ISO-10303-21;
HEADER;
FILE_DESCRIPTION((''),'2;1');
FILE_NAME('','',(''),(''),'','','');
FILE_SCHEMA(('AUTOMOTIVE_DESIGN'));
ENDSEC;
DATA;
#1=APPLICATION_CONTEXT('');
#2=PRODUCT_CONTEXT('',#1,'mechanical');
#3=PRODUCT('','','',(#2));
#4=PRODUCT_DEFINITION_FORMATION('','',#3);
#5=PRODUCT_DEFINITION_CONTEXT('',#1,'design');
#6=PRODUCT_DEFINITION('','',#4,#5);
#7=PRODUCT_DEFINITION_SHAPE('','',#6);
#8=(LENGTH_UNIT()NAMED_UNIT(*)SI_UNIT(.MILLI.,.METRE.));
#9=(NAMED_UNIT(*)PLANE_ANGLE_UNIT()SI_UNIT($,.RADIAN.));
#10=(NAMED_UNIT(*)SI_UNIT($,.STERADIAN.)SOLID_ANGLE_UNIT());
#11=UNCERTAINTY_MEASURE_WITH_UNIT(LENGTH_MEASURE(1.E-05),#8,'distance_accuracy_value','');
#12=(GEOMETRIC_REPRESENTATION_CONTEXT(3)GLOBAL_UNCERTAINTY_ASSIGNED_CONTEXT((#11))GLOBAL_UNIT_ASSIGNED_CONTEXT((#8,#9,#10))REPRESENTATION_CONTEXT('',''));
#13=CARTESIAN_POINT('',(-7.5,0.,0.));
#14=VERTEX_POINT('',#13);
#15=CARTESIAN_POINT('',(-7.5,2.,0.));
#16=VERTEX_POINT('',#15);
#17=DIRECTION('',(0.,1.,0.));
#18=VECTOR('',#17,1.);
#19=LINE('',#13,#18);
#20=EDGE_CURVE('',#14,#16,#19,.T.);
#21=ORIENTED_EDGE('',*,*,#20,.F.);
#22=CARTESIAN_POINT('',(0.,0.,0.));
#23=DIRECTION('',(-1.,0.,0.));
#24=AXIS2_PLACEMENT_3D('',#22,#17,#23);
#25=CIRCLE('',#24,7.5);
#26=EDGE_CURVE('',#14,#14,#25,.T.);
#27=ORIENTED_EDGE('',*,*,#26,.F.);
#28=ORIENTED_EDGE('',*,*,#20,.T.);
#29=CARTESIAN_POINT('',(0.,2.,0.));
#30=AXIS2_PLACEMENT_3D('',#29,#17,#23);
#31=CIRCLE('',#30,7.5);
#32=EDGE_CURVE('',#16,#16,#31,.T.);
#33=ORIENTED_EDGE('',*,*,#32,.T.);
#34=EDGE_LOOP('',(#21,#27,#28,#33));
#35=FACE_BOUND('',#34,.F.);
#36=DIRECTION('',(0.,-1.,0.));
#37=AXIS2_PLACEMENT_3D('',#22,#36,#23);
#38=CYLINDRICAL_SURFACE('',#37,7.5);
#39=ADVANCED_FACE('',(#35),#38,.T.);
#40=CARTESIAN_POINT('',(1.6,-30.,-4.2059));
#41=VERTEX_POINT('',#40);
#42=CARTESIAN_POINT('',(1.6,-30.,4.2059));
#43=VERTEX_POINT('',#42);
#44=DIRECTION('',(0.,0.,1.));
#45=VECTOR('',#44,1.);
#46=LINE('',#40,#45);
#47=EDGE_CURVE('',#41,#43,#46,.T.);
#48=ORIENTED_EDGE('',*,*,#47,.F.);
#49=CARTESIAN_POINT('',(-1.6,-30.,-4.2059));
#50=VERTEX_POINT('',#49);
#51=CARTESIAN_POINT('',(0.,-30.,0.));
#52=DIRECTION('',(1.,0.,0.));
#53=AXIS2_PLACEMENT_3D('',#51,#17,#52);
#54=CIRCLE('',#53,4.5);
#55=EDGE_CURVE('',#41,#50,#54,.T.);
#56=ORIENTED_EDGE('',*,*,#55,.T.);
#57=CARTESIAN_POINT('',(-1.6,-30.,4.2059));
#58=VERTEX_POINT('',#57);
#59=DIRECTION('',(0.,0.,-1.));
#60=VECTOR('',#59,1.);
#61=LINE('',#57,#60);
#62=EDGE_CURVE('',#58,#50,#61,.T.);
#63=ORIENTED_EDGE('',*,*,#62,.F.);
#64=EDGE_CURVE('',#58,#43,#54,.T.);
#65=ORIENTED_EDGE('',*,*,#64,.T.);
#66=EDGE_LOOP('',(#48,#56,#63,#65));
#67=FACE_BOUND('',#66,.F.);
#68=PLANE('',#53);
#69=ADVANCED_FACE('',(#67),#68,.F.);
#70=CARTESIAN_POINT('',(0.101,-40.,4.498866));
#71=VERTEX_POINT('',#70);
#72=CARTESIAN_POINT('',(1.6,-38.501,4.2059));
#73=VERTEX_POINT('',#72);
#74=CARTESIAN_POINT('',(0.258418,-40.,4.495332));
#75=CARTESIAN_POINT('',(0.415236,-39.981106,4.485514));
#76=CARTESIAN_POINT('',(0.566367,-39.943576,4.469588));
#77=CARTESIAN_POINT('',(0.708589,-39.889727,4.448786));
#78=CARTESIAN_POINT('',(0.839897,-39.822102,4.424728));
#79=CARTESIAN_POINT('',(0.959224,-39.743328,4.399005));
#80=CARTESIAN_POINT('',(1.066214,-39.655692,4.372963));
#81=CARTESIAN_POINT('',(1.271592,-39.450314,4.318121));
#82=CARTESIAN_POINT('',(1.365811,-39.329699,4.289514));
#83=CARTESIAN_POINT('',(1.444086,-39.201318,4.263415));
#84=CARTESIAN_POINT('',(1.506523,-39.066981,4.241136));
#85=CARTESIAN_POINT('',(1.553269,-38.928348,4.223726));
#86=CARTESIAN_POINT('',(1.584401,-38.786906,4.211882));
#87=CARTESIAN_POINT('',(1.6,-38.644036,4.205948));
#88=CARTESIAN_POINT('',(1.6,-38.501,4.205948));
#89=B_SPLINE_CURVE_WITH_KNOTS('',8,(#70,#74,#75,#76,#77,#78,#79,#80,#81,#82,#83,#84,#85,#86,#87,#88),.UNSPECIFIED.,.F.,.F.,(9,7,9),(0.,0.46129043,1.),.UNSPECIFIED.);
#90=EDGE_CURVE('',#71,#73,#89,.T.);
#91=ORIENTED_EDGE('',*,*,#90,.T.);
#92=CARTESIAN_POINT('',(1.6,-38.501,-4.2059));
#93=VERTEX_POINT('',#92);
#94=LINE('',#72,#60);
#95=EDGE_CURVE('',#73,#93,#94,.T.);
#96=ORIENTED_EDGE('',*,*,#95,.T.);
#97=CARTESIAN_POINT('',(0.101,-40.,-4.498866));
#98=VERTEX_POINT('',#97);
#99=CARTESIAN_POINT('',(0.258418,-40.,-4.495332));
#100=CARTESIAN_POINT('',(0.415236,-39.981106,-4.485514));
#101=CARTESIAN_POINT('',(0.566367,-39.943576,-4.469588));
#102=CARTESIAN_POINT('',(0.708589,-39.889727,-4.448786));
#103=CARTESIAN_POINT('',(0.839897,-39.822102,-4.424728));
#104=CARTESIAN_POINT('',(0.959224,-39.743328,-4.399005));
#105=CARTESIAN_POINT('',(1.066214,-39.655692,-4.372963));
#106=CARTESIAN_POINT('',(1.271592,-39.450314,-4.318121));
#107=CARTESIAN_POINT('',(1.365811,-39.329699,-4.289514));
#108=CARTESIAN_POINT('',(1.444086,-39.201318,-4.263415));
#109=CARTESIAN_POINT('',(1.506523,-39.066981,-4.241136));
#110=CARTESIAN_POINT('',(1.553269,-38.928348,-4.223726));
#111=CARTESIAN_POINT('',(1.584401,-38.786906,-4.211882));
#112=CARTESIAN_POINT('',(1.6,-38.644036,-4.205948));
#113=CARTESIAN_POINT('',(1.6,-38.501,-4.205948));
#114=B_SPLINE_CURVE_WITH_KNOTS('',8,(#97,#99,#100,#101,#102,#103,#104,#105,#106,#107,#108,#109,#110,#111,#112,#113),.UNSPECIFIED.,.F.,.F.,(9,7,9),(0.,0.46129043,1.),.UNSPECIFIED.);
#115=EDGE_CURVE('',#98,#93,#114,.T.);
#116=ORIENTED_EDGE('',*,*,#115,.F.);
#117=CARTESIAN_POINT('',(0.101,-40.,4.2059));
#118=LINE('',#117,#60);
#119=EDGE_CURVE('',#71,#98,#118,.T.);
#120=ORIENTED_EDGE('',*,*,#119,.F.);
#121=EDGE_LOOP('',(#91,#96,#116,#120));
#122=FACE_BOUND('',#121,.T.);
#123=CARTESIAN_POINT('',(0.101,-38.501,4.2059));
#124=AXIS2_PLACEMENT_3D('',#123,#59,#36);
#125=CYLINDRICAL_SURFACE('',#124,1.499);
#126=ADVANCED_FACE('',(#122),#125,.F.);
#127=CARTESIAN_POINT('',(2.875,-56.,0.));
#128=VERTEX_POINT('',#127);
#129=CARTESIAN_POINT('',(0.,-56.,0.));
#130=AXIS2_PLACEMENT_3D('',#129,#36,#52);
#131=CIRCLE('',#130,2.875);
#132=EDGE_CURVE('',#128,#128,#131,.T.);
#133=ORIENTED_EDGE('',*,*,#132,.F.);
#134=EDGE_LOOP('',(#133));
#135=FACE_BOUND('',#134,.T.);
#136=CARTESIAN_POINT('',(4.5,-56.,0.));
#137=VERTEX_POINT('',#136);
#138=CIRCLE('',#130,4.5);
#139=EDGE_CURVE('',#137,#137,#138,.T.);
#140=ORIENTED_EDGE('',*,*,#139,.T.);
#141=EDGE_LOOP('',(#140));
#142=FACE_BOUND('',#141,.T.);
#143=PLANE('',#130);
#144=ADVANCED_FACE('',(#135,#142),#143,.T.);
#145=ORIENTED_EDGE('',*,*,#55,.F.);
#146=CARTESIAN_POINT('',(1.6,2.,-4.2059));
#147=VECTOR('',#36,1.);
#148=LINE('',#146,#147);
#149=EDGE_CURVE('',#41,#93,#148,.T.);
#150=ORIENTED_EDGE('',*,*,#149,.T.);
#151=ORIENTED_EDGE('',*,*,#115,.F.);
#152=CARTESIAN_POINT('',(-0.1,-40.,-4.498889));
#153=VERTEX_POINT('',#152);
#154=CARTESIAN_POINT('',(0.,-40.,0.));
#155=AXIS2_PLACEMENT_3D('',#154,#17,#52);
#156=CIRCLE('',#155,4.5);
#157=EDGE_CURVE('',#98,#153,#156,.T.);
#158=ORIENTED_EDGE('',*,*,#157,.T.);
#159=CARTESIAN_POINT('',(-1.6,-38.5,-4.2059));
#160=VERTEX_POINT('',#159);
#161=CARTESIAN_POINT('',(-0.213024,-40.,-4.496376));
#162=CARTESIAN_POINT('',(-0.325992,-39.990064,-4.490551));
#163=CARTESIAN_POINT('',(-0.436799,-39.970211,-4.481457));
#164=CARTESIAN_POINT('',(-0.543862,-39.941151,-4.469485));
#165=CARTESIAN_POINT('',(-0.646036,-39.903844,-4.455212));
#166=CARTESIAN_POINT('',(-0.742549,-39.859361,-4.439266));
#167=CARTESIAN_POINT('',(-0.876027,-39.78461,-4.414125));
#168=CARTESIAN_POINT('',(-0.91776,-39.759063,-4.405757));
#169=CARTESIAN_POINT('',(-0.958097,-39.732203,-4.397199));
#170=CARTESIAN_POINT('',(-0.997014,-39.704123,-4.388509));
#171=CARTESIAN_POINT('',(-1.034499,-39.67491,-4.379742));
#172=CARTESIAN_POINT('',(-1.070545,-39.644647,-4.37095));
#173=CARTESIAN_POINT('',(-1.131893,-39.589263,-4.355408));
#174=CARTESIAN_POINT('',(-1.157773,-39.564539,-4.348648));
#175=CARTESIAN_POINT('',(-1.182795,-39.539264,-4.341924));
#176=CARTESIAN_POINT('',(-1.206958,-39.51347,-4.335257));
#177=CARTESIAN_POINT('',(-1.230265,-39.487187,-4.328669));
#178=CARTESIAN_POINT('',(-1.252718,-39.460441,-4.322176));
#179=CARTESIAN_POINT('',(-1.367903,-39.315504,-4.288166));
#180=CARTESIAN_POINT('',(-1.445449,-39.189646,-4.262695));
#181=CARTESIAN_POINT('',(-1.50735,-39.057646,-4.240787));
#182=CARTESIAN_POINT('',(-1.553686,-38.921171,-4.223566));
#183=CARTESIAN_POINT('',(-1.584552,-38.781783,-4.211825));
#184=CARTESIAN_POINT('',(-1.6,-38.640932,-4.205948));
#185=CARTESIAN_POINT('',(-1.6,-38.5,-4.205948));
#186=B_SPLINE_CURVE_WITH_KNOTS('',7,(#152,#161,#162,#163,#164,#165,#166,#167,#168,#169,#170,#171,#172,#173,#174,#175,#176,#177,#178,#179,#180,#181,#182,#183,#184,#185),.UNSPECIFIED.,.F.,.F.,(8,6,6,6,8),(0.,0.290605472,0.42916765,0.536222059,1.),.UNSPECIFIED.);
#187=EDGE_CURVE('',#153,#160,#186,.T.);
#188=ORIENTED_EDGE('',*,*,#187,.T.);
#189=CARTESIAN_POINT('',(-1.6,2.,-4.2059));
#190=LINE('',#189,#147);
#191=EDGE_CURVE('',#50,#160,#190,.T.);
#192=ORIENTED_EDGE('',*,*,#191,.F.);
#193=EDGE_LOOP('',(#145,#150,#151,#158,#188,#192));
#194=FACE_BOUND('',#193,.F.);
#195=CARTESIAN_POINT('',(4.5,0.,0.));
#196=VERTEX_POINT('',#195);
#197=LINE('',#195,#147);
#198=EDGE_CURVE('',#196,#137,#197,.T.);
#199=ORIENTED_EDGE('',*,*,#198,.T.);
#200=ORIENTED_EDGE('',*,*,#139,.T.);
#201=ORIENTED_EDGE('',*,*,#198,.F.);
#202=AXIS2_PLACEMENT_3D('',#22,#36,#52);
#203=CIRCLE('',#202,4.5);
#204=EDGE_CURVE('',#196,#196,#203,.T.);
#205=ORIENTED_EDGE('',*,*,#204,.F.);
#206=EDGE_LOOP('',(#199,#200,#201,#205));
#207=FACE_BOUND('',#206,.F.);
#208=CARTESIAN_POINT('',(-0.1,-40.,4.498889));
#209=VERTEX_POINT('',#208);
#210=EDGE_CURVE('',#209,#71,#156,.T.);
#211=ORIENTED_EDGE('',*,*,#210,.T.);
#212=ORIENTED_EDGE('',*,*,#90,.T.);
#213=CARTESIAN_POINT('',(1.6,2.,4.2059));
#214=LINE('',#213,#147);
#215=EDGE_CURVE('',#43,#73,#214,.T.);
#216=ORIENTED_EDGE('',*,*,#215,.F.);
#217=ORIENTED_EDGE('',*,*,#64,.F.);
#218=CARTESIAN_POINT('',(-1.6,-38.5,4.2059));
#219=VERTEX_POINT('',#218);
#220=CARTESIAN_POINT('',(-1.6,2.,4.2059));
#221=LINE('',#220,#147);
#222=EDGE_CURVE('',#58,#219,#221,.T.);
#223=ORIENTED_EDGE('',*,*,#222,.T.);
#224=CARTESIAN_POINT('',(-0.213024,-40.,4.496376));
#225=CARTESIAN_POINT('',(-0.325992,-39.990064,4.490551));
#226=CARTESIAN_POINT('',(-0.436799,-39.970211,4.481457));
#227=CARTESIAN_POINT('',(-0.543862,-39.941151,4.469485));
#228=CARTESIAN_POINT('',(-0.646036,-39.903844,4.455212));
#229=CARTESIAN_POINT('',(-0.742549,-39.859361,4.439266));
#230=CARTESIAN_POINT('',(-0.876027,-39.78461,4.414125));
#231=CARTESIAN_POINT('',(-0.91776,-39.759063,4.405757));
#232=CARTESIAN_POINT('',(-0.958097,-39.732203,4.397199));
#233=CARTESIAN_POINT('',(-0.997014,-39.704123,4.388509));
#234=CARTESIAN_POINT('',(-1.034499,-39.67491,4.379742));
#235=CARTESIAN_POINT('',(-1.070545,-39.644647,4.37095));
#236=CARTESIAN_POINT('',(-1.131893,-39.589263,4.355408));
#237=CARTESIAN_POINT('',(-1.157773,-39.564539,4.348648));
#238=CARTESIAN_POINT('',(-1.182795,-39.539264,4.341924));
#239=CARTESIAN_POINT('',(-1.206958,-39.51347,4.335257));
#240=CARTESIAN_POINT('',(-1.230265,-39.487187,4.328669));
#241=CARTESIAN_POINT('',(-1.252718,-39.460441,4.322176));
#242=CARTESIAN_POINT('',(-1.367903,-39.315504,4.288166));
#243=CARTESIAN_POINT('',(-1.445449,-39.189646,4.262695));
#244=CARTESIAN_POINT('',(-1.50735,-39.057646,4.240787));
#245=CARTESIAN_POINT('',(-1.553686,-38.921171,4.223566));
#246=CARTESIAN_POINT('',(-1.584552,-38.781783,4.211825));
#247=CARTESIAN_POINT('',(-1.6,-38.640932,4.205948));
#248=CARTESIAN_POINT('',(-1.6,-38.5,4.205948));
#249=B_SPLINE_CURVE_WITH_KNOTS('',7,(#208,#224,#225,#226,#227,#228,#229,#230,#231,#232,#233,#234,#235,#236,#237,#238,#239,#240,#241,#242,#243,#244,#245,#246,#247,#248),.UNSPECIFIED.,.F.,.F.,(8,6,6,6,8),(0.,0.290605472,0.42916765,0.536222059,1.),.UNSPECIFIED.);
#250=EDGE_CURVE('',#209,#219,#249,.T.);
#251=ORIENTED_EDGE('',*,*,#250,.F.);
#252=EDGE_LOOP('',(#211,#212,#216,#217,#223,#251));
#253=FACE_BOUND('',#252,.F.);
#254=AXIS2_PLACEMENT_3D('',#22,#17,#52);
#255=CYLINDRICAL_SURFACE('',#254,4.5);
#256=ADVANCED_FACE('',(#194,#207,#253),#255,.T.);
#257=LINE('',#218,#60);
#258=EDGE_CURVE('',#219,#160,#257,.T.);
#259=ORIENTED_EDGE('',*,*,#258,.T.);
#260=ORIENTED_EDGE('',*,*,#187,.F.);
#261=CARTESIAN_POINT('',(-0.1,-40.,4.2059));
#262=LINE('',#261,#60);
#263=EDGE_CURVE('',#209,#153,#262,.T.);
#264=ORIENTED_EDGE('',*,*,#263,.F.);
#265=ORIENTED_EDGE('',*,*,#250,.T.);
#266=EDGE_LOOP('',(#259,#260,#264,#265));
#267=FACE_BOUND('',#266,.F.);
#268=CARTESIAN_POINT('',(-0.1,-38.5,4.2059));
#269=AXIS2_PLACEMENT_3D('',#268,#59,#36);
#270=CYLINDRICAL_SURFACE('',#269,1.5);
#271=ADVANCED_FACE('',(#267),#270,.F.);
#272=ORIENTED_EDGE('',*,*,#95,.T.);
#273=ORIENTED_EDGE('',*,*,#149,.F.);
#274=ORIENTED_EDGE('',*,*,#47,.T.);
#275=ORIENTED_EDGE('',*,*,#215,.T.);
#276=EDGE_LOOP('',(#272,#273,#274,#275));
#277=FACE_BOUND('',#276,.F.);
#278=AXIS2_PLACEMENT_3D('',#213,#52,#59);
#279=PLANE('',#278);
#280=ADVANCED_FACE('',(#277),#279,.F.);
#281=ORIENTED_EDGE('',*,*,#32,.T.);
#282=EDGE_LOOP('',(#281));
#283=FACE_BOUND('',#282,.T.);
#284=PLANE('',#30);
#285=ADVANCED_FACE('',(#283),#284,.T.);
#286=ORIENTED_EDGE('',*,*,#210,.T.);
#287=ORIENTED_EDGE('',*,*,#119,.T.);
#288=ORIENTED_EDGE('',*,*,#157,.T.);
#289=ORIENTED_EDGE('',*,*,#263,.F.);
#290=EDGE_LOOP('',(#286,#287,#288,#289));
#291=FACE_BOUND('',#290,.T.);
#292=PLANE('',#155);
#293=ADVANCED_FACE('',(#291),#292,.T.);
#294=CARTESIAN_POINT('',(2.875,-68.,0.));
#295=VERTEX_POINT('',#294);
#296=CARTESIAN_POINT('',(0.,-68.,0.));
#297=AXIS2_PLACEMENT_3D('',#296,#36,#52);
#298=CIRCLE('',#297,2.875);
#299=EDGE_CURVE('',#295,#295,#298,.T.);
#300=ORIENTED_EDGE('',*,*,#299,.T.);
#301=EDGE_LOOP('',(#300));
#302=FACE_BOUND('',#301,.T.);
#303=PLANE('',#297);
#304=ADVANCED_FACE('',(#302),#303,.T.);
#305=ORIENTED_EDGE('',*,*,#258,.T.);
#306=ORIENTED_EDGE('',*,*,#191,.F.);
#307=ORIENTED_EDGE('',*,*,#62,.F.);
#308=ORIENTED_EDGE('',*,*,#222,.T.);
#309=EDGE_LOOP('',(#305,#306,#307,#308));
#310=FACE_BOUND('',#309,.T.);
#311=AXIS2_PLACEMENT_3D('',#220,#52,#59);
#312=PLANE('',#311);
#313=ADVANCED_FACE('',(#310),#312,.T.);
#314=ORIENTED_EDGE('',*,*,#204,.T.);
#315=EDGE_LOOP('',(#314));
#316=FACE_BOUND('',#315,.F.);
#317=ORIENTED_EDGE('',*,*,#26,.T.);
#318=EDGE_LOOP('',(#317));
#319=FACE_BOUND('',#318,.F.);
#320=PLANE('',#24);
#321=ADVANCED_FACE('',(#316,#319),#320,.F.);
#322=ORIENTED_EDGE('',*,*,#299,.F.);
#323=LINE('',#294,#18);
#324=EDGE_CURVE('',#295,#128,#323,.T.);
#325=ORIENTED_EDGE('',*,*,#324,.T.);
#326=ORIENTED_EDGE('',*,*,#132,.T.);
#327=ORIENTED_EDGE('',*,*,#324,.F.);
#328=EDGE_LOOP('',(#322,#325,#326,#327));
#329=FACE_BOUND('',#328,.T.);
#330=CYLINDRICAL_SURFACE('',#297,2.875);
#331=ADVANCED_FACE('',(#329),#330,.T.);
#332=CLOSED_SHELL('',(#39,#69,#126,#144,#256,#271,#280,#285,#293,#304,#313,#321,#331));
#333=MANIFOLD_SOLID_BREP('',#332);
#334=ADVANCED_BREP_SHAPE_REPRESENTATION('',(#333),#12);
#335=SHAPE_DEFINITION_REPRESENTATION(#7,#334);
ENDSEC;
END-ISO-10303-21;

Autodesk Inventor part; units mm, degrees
ref_plane "YZ Plane" through (0, 0, 0) normal (1, 0, 0) x (0, 1, 0)
ref_plane "XZ Plane" through (0, 0, 0) normal (0, 1, 0) x (-1, 0, 0)
ref_plane "XY Plane" through (0, 0, 0) normal (0, 0, 1) x (1, 0, 0)
sketch "Sketch1" plane through (0, 0, 0) normal (0, 1, 0) x (-1, 0, 0)
  circle A0 centre (0, 0) radius 7.5
  dimension "d0" = 15
extrude "Extrusion1" add sketch "Sketch1" along normal blind 2
sketch "Sketch2" plane through (0, 0, 0) normal (0, -1, 0) x (1, 0, 0)
  circle A0 centre (0, 0) radius 4.5
extrude "Extrusion2" add sketch "Sketch2" along normal blind 68
sketch "Sketch4" plane through (0, 2, 0) normal (0, 1, 0) x (1, 0, 0)
  circle A0 centre (0, 0) radius 4.5
  circle A1 centre (0, 0) radius 4.5 projected
  line L0 (-1.6, -4.2059) -> (-1.6, 4.2059)
  line L1 (1.6, -4.2059) -> (1.6, 4.2059)
  dimension "d6" = 9
extrude "Extrusion3" cut sketch "Sketch4" against normal blind 42 contours L1 A0 L0
sketch "Sketch5" plane through (0, 2, 0) normal (0, 1, 0) x (1, 0, 0)
  circle A0 centre (0, 0) radius 4.5
  arc A1 (-1.6, -4.2059) -> (1.6, -4.2059) centre (0, 0) ccw projected
  line L0 (-1.6, -4.2059) -> (-1.6, 4.2059) projected
  line L1 (-1.6, -4.2059) -> (-1.6, 4.2059)
  line L2 (1.6, 4.2059) -> (1.6, -4.2059) projected
  arc A2 (1.6, 4.2059) -> (-1.6, 4.2059) centre (0, 0) ccw projected
  line L3 (1.6, -4.2059) -> (1.6, 4.2059)
  dimension "d9" = 9
extrude "Extrusion4" add sketch "Sketch5" against normal blind 32 contours L2 A0 L0
fillet "Fillet1" radius 1.5 1 edges at (-1.6, -40, 0)
fillet "Fillet2" radius 1.499 1 edges at (1.6, -40, 0)
sketch "Sketch6" plane through (0, -40, 0) normal (0, 1, 0) x (1, 0, 0)
  point P0 (0, 0)
ref_plane "Work Plane2" through (0.101, -40, -4.4989) normal (0.0224, 0, -0.9997) x (0, 1, 0)
sketch "Sketch8" plane through (0, -68, 0) normal (0, -1, 0) x (1, 0, 0)
  circle A0 centre (0, 0) radius 2.875
  circle A1 centre (0, 0) radius 4.5
  dimension "d23" = 5.75
extrude "Extrusion5" cut sketch "Sketch8" against normal blind 12
sketch "Sketch9" plane through (0.101, -40, -4.4989) normal (0.0224, 0, -0.9997) x (0, 1, 0)
  line L0 (-16, -4.5) -> (-16, 4.5) projected
  line L1 (-16, 0) -> (10, -0.0944)
  line L2 (10, 1.5052) -> (10, -1.694) projected
  point P0 (40, 0)
properties part number "pin"
